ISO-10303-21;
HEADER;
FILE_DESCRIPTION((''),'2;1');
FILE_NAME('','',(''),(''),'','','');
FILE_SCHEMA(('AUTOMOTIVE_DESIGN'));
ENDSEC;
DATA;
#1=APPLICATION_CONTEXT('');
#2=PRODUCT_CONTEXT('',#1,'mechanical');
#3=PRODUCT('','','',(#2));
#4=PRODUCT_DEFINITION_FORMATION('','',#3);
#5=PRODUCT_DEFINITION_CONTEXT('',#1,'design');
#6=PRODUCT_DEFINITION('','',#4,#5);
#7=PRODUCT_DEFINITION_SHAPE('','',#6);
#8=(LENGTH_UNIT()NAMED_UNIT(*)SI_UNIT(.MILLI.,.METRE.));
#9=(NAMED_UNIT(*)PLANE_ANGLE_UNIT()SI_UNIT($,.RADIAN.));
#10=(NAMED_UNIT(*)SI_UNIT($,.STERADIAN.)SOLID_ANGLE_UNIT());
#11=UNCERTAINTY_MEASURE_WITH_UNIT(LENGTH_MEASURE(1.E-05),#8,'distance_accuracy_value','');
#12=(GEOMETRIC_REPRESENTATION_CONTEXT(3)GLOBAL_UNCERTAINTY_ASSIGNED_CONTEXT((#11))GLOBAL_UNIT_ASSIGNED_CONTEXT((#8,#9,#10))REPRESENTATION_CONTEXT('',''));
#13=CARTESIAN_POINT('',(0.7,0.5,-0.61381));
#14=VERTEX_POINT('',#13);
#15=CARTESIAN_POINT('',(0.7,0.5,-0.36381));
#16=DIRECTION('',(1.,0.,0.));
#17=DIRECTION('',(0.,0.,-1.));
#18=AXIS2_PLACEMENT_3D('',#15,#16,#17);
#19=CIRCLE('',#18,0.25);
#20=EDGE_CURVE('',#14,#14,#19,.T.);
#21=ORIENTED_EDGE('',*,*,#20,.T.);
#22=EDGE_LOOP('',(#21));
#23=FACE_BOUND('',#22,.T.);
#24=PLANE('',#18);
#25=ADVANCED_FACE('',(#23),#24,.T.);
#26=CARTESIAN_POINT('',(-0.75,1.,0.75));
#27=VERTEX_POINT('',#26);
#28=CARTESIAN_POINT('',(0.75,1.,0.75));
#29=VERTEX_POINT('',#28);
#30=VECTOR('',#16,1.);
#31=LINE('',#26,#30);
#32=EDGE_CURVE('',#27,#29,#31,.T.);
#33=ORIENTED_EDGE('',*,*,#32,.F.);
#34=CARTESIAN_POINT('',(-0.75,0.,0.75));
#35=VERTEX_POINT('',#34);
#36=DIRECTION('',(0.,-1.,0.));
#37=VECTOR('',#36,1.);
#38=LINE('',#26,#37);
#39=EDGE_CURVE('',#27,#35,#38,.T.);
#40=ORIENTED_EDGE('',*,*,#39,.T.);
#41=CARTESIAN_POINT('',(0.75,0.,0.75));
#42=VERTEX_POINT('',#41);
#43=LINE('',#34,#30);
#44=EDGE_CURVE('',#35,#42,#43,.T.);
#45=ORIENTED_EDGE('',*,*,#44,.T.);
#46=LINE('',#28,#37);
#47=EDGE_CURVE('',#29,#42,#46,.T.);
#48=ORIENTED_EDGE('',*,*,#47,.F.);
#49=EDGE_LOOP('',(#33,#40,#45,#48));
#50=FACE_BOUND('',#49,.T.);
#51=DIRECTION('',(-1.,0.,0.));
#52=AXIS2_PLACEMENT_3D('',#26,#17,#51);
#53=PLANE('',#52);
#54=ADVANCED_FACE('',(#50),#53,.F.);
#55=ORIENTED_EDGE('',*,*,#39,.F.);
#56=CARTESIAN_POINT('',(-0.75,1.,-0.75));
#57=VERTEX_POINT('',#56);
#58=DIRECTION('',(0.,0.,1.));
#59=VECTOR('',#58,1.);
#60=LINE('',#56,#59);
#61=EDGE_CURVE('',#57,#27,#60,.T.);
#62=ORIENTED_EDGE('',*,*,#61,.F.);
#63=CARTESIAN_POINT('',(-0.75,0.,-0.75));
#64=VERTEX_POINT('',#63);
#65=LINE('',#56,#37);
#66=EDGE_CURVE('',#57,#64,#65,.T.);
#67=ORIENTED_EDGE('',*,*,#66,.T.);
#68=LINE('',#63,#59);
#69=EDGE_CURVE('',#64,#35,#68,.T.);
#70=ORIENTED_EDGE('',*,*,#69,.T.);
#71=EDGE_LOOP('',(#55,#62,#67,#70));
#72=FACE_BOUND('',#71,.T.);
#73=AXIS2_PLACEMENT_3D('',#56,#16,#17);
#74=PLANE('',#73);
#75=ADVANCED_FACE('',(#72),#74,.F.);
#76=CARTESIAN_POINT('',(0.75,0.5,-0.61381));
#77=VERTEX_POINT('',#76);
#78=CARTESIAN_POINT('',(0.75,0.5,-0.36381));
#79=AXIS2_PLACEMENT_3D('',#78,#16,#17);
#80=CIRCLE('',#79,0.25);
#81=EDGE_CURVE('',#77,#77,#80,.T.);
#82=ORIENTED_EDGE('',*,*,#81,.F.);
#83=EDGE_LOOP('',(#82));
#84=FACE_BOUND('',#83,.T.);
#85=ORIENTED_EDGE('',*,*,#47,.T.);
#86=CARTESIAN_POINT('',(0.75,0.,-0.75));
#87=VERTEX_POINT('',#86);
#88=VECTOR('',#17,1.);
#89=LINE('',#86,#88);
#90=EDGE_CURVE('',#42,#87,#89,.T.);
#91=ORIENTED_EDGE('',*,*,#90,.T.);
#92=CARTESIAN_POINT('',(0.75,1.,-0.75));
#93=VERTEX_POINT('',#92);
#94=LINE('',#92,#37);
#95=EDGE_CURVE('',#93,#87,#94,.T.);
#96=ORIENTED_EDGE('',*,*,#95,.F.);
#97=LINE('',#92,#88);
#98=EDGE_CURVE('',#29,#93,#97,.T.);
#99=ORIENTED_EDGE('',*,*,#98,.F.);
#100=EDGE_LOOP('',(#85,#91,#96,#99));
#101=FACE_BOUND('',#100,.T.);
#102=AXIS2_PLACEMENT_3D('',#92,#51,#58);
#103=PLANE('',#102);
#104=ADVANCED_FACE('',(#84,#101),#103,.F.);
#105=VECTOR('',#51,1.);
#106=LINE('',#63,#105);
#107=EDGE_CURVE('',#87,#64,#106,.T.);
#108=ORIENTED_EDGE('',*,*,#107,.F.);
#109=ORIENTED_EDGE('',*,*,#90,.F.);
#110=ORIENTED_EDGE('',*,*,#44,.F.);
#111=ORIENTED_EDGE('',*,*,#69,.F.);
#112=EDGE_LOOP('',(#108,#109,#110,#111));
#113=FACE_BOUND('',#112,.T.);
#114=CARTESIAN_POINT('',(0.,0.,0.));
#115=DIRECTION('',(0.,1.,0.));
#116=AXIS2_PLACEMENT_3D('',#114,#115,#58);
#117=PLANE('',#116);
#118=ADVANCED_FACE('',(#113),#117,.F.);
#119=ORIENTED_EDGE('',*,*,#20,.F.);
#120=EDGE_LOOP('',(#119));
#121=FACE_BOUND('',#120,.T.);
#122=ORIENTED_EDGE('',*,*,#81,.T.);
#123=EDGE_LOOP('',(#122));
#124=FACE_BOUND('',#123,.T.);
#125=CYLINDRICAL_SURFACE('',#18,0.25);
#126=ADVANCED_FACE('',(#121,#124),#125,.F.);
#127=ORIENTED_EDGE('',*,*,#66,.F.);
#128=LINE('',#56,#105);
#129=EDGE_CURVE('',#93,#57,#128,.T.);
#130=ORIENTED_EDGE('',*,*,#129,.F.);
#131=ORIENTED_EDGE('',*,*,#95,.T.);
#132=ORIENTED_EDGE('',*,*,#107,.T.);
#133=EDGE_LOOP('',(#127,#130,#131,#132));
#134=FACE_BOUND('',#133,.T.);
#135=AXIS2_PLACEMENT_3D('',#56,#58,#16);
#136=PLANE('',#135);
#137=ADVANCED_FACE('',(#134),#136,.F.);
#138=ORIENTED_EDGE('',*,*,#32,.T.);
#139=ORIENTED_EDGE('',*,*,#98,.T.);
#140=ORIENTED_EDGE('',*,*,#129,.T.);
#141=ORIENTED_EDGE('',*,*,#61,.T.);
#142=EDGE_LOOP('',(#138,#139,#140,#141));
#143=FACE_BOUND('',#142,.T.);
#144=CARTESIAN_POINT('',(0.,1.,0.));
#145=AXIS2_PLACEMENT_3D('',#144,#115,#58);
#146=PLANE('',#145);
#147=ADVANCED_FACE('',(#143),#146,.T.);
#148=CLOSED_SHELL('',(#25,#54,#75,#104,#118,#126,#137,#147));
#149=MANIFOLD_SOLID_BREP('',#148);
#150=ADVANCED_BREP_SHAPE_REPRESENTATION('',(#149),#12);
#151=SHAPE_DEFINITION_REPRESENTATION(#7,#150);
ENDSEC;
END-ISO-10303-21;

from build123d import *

# Parameters (mm, degrees)
SKETCH1_W           = 1.5
SKETCH1_H           = 1.5
BOSS_EXTRUDE1_DEPTH = 1
SKETCH2_R           = 0.25
CUT_EXTRUDE1_DEPTH  = 0.05


with BuildPart() as part:
    # Sketch1 → Boss-Extrude1 (new body)
    with BuildSketch(Plane(origin=(0, 0, 0), x_dir=(1, 0, 0), z_dir=(0, 1, 0))):
        Rectangle(SKETCH1_W, SKETCH1_H)
    extrude(amount=BOSS_EXTRUDE1_DEPTH)

    # Sketch2 → Cut-Extrude1 (cut)
    with BuildSketch(Plane(origin=(0.75, 0, 0), x_dir=(0, 0, -1), z_dir=(1, 0, 0))):
        with Locations((0.363809966, 0.5)):
            Circle(SKETCH2_R)
    extrude(amount=-CUT_EXTRUDE1_DEPTH, mode=Mode.SUBTRACT)


solid = part.part
